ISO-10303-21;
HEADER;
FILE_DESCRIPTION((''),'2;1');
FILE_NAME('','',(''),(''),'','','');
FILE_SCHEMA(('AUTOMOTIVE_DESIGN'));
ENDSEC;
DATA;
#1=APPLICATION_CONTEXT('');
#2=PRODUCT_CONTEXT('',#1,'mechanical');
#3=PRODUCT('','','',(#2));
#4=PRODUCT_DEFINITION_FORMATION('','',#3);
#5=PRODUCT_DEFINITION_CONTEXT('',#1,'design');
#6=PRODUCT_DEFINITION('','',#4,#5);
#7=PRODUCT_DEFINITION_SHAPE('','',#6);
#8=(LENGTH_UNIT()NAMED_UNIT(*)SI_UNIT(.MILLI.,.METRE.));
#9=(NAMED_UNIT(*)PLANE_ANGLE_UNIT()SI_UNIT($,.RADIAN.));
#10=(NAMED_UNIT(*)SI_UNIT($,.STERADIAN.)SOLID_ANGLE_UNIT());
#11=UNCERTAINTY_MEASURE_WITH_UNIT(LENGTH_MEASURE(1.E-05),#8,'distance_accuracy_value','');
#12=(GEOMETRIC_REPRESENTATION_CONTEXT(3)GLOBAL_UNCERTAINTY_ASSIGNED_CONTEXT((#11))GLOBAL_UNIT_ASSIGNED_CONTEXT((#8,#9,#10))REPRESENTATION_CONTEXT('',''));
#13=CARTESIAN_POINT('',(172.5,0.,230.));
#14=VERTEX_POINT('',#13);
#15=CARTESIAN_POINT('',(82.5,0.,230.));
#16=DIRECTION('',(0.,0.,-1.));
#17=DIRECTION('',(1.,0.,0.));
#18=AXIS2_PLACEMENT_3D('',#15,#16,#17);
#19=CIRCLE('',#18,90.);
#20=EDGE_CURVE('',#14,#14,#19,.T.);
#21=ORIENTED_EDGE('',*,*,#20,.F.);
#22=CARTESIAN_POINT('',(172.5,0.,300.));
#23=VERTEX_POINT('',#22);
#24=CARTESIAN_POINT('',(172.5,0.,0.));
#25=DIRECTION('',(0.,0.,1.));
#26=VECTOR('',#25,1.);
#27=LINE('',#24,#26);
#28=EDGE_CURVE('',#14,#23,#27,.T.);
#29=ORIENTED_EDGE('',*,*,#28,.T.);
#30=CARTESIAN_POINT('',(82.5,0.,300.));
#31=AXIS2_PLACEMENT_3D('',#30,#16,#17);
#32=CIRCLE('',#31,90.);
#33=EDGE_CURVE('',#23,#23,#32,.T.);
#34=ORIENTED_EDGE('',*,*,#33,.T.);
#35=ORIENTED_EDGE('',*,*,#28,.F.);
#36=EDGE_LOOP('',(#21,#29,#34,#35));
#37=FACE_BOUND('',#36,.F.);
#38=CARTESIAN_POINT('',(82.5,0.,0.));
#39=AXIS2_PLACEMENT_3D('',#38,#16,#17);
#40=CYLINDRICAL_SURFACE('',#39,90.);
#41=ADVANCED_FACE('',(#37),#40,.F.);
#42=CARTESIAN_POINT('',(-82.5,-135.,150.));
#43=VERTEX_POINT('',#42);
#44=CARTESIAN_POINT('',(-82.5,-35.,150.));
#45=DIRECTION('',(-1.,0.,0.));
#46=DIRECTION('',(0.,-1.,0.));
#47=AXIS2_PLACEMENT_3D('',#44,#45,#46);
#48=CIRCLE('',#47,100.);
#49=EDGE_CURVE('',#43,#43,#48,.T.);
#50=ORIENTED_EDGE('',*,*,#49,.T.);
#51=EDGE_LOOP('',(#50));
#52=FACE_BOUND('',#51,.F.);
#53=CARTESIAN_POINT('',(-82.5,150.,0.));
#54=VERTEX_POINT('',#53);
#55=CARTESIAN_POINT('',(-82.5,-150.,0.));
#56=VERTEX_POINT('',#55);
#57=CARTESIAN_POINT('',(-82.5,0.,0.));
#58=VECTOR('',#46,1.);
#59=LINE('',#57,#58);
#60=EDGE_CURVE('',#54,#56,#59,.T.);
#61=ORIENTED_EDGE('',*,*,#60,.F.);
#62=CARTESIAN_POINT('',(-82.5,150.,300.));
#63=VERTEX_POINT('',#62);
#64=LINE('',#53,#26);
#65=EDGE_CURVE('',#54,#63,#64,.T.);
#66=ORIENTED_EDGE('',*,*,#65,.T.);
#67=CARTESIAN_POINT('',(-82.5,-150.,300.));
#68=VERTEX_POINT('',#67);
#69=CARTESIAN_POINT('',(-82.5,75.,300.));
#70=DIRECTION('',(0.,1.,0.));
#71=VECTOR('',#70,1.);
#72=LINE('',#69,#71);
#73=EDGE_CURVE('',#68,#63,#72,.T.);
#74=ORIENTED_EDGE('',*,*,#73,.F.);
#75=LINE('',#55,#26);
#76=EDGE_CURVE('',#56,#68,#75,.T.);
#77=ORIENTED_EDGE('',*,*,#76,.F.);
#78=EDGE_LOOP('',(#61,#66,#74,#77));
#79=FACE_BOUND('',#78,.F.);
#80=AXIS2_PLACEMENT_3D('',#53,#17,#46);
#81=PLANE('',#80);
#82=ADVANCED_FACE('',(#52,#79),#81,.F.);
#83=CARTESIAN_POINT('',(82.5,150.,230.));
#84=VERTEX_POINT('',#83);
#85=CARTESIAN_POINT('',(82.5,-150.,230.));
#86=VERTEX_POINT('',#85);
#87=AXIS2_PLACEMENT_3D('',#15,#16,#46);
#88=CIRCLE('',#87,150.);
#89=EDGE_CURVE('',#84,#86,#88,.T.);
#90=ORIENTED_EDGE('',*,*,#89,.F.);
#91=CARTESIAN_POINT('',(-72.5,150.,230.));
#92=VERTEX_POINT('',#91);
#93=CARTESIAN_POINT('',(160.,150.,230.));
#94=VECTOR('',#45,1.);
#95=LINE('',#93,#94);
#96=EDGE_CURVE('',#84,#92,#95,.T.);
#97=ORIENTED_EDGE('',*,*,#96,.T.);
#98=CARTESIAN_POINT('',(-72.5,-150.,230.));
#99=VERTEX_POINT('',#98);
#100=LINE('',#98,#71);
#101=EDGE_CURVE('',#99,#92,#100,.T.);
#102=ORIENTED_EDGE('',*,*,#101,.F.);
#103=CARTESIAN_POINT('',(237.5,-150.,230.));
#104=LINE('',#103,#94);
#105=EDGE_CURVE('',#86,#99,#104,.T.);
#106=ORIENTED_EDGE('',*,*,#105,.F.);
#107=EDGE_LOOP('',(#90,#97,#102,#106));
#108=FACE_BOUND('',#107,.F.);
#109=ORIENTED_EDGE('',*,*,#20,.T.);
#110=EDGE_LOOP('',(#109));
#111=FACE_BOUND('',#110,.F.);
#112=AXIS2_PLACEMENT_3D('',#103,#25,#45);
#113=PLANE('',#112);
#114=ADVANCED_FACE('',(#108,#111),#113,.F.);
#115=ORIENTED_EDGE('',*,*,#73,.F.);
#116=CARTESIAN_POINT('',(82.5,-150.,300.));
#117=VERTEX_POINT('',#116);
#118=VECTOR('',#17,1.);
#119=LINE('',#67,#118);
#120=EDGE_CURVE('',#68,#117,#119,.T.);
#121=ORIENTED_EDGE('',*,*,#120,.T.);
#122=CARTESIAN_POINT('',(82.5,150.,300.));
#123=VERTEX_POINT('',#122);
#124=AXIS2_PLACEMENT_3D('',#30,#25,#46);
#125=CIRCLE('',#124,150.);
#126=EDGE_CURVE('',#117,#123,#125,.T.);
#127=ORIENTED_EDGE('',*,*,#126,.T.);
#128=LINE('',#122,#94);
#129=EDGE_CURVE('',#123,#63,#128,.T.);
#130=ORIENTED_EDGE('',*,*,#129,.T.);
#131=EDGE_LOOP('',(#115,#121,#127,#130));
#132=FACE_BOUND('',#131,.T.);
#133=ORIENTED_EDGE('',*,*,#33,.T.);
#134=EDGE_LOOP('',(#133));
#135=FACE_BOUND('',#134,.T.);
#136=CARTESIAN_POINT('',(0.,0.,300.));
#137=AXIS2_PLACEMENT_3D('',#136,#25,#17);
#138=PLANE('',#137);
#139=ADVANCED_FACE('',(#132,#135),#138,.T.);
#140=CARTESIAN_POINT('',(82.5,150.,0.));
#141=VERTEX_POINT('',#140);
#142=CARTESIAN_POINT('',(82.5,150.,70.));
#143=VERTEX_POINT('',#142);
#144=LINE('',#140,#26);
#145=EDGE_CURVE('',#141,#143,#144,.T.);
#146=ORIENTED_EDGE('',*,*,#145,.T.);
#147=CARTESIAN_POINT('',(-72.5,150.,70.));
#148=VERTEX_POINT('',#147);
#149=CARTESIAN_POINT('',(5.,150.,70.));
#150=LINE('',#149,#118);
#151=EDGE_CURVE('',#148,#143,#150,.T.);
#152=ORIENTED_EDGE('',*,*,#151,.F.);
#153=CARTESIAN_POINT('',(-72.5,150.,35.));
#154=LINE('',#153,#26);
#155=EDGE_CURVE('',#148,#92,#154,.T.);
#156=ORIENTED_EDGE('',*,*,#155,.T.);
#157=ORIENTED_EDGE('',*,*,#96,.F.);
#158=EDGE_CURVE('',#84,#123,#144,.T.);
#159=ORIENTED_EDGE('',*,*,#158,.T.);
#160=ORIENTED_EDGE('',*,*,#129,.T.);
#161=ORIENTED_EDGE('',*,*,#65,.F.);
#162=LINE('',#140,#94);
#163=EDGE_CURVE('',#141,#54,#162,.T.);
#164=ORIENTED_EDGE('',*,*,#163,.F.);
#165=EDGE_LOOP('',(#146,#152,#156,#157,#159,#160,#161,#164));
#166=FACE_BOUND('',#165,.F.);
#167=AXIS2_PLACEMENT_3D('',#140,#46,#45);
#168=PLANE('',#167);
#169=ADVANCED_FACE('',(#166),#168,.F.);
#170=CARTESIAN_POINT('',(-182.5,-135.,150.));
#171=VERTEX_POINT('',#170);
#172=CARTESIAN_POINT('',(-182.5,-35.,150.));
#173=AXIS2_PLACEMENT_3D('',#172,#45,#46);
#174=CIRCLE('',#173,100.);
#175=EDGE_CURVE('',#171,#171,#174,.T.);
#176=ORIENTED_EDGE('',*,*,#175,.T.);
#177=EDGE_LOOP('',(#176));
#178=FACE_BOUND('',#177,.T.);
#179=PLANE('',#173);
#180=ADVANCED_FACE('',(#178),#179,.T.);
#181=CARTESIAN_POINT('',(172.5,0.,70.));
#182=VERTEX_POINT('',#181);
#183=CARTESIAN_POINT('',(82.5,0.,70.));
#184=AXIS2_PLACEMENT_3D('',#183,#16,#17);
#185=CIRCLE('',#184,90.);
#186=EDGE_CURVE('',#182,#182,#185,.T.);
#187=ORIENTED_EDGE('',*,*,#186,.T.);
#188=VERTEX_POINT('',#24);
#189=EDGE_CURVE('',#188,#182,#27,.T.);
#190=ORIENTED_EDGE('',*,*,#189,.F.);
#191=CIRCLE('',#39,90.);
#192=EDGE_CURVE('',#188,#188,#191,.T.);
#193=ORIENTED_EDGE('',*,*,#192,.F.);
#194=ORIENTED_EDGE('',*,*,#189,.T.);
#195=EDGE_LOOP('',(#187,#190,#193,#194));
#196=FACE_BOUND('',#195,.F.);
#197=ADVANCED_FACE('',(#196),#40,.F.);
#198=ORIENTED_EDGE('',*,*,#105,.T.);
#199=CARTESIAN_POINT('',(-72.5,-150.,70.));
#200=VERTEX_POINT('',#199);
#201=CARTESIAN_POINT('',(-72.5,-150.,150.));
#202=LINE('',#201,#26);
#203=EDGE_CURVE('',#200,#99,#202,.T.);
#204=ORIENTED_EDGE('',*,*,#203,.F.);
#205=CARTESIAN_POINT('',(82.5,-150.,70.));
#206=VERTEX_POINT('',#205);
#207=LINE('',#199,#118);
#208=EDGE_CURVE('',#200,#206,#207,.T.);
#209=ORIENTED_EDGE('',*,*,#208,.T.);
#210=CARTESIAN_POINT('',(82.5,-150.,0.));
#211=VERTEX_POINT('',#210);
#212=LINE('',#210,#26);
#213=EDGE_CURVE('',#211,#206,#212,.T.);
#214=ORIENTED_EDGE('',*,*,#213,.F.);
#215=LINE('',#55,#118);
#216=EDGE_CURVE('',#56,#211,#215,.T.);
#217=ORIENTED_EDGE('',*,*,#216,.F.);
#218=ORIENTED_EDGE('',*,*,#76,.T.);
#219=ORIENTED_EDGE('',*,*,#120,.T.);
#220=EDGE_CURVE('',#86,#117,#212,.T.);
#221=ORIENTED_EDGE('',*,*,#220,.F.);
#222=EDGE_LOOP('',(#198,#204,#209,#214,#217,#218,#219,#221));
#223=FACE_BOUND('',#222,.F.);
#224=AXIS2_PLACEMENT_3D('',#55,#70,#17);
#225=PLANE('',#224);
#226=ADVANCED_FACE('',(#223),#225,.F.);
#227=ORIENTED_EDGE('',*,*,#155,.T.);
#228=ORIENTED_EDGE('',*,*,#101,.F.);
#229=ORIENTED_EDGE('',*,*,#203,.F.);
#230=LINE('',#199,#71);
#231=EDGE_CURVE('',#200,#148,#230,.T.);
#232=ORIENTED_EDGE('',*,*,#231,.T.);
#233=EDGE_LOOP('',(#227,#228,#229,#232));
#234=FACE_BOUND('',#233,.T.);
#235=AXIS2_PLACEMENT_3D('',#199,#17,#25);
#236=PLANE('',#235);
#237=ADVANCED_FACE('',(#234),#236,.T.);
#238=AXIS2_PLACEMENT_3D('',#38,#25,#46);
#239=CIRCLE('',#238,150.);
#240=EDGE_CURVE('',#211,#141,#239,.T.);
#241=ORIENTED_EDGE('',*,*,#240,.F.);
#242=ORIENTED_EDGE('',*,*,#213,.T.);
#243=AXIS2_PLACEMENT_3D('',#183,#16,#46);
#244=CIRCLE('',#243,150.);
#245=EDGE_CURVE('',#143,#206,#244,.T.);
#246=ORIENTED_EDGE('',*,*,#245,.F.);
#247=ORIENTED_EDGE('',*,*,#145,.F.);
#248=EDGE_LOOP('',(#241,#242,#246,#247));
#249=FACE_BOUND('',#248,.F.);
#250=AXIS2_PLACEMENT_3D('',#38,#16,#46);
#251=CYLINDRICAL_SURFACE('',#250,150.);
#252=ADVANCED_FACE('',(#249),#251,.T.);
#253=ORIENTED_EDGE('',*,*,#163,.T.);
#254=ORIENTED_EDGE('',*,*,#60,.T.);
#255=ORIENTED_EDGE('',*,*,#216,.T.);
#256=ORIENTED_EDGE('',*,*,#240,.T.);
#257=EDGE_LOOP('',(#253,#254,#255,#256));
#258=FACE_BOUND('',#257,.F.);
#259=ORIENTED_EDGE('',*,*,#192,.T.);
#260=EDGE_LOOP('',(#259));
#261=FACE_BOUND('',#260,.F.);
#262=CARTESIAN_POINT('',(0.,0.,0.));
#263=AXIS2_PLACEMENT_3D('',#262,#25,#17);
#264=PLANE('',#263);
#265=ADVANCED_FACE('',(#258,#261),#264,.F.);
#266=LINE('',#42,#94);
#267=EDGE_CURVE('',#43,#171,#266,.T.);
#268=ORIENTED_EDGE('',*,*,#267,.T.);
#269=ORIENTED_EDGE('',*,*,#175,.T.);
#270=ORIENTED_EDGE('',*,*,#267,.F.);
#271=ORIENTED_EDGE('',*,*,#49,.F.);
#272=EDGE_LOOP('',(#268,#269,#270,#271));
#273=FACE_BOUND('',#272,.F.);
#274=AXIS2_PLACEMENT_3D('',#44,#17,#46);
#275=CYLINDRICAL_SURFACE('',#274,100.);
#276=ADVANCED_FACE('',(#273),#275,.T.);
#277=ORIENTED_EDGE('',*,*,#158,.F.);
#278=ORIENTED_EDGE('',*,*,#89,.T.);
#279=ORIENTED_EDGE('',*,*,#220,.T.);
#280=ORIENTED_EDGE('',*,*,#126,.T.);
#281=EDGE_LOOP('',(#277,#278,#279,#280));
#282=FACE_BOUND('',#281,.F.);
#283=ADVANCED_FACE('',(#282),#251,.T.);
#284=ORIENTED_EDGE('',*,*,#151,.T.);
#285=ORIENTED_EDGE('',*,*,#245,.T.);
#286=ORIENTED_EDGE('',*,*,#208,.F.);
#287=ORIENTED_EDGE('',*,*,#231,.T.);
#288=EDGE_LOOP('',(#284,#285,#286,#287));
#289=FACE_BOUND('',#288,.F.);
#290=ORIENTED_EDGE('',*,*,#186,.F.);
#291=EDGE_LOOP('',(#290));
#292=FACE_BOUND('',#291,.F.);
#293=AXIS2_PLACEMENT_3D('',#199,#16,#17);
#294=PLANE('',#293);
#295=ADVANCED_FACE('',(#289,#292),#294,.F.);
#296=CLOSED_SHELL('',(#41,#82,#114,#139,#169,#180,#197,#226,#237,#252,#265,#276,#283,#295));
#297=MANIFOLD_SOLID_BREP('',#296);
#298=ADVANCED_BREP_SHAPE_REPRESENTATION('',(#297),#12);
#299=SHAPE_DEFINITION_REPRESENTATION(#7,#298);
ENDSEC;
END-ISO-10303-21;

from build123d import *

# Parameters (mm, degrees)
F1_DEPTH = 300
F2_R     = 90
F2_W     = 367.9086971283
F2_H     = 300
F3_DEPTH = 501
F4_W     = 155
F4_H     = 160
F5_DEPTH = 501
F6_R     = 100
F7_DEPTH = 100


with BuildPart() as f1:
    # F0 (on Top) → F1 (new body)
    with BuildSketch(Plane.XY):
        with BuildLine():
            Line((-82.5, -150), (82.5, -150))
            ThreePointArc((82.5, -150), (232.5, 0), (82.5, 150))
            Line((82.5, 150), (-82.5, 150))
            ThreePointArc((-82.5, 150), (-232.5, 0), (-82.5, -150))
        make_face()
    extrude(amount=F1_DEPTH)

    # F2 (on face) → F3 (cut)
    with BuildSketch(Plane(origin=(0, 0, 0), x_dir=(1, 0, 0), z_dir=(0, 0, -1))):
        with Locations((82.5, 0)):
            Circle(F2_R)
        with Locations((-266.4543485641, 0)):
            Rectangle(F2_W, F2_H)
    extrude(amount=-F3_DEPTH, mode=Mode.SUBTRACT)

    # F4 (on face) → F5 (cut)
    with BuildSketch(Plane.XZ.offset(150)):
        with Locations((160, 150)):
            Rectangle(F4_W, F4_H)
        with Locations((5, 150)):
            Rectangle(F4_W, F4_H)
    extrude(amount=-F5_DEPTH, mode=Mode.SUBTRACT)

    # F6 (on face) → F7 (join)
    with BuildSketch(Plane(origin=(-82.5, 0, 0), x_dir=(0, -1, 0), z_dir=(-1, 0, 0))):
        with Locations((35, 150)):
            Circle(F6_R)
    extrude(amount=F7_DEPTH)


solid = f1.part
